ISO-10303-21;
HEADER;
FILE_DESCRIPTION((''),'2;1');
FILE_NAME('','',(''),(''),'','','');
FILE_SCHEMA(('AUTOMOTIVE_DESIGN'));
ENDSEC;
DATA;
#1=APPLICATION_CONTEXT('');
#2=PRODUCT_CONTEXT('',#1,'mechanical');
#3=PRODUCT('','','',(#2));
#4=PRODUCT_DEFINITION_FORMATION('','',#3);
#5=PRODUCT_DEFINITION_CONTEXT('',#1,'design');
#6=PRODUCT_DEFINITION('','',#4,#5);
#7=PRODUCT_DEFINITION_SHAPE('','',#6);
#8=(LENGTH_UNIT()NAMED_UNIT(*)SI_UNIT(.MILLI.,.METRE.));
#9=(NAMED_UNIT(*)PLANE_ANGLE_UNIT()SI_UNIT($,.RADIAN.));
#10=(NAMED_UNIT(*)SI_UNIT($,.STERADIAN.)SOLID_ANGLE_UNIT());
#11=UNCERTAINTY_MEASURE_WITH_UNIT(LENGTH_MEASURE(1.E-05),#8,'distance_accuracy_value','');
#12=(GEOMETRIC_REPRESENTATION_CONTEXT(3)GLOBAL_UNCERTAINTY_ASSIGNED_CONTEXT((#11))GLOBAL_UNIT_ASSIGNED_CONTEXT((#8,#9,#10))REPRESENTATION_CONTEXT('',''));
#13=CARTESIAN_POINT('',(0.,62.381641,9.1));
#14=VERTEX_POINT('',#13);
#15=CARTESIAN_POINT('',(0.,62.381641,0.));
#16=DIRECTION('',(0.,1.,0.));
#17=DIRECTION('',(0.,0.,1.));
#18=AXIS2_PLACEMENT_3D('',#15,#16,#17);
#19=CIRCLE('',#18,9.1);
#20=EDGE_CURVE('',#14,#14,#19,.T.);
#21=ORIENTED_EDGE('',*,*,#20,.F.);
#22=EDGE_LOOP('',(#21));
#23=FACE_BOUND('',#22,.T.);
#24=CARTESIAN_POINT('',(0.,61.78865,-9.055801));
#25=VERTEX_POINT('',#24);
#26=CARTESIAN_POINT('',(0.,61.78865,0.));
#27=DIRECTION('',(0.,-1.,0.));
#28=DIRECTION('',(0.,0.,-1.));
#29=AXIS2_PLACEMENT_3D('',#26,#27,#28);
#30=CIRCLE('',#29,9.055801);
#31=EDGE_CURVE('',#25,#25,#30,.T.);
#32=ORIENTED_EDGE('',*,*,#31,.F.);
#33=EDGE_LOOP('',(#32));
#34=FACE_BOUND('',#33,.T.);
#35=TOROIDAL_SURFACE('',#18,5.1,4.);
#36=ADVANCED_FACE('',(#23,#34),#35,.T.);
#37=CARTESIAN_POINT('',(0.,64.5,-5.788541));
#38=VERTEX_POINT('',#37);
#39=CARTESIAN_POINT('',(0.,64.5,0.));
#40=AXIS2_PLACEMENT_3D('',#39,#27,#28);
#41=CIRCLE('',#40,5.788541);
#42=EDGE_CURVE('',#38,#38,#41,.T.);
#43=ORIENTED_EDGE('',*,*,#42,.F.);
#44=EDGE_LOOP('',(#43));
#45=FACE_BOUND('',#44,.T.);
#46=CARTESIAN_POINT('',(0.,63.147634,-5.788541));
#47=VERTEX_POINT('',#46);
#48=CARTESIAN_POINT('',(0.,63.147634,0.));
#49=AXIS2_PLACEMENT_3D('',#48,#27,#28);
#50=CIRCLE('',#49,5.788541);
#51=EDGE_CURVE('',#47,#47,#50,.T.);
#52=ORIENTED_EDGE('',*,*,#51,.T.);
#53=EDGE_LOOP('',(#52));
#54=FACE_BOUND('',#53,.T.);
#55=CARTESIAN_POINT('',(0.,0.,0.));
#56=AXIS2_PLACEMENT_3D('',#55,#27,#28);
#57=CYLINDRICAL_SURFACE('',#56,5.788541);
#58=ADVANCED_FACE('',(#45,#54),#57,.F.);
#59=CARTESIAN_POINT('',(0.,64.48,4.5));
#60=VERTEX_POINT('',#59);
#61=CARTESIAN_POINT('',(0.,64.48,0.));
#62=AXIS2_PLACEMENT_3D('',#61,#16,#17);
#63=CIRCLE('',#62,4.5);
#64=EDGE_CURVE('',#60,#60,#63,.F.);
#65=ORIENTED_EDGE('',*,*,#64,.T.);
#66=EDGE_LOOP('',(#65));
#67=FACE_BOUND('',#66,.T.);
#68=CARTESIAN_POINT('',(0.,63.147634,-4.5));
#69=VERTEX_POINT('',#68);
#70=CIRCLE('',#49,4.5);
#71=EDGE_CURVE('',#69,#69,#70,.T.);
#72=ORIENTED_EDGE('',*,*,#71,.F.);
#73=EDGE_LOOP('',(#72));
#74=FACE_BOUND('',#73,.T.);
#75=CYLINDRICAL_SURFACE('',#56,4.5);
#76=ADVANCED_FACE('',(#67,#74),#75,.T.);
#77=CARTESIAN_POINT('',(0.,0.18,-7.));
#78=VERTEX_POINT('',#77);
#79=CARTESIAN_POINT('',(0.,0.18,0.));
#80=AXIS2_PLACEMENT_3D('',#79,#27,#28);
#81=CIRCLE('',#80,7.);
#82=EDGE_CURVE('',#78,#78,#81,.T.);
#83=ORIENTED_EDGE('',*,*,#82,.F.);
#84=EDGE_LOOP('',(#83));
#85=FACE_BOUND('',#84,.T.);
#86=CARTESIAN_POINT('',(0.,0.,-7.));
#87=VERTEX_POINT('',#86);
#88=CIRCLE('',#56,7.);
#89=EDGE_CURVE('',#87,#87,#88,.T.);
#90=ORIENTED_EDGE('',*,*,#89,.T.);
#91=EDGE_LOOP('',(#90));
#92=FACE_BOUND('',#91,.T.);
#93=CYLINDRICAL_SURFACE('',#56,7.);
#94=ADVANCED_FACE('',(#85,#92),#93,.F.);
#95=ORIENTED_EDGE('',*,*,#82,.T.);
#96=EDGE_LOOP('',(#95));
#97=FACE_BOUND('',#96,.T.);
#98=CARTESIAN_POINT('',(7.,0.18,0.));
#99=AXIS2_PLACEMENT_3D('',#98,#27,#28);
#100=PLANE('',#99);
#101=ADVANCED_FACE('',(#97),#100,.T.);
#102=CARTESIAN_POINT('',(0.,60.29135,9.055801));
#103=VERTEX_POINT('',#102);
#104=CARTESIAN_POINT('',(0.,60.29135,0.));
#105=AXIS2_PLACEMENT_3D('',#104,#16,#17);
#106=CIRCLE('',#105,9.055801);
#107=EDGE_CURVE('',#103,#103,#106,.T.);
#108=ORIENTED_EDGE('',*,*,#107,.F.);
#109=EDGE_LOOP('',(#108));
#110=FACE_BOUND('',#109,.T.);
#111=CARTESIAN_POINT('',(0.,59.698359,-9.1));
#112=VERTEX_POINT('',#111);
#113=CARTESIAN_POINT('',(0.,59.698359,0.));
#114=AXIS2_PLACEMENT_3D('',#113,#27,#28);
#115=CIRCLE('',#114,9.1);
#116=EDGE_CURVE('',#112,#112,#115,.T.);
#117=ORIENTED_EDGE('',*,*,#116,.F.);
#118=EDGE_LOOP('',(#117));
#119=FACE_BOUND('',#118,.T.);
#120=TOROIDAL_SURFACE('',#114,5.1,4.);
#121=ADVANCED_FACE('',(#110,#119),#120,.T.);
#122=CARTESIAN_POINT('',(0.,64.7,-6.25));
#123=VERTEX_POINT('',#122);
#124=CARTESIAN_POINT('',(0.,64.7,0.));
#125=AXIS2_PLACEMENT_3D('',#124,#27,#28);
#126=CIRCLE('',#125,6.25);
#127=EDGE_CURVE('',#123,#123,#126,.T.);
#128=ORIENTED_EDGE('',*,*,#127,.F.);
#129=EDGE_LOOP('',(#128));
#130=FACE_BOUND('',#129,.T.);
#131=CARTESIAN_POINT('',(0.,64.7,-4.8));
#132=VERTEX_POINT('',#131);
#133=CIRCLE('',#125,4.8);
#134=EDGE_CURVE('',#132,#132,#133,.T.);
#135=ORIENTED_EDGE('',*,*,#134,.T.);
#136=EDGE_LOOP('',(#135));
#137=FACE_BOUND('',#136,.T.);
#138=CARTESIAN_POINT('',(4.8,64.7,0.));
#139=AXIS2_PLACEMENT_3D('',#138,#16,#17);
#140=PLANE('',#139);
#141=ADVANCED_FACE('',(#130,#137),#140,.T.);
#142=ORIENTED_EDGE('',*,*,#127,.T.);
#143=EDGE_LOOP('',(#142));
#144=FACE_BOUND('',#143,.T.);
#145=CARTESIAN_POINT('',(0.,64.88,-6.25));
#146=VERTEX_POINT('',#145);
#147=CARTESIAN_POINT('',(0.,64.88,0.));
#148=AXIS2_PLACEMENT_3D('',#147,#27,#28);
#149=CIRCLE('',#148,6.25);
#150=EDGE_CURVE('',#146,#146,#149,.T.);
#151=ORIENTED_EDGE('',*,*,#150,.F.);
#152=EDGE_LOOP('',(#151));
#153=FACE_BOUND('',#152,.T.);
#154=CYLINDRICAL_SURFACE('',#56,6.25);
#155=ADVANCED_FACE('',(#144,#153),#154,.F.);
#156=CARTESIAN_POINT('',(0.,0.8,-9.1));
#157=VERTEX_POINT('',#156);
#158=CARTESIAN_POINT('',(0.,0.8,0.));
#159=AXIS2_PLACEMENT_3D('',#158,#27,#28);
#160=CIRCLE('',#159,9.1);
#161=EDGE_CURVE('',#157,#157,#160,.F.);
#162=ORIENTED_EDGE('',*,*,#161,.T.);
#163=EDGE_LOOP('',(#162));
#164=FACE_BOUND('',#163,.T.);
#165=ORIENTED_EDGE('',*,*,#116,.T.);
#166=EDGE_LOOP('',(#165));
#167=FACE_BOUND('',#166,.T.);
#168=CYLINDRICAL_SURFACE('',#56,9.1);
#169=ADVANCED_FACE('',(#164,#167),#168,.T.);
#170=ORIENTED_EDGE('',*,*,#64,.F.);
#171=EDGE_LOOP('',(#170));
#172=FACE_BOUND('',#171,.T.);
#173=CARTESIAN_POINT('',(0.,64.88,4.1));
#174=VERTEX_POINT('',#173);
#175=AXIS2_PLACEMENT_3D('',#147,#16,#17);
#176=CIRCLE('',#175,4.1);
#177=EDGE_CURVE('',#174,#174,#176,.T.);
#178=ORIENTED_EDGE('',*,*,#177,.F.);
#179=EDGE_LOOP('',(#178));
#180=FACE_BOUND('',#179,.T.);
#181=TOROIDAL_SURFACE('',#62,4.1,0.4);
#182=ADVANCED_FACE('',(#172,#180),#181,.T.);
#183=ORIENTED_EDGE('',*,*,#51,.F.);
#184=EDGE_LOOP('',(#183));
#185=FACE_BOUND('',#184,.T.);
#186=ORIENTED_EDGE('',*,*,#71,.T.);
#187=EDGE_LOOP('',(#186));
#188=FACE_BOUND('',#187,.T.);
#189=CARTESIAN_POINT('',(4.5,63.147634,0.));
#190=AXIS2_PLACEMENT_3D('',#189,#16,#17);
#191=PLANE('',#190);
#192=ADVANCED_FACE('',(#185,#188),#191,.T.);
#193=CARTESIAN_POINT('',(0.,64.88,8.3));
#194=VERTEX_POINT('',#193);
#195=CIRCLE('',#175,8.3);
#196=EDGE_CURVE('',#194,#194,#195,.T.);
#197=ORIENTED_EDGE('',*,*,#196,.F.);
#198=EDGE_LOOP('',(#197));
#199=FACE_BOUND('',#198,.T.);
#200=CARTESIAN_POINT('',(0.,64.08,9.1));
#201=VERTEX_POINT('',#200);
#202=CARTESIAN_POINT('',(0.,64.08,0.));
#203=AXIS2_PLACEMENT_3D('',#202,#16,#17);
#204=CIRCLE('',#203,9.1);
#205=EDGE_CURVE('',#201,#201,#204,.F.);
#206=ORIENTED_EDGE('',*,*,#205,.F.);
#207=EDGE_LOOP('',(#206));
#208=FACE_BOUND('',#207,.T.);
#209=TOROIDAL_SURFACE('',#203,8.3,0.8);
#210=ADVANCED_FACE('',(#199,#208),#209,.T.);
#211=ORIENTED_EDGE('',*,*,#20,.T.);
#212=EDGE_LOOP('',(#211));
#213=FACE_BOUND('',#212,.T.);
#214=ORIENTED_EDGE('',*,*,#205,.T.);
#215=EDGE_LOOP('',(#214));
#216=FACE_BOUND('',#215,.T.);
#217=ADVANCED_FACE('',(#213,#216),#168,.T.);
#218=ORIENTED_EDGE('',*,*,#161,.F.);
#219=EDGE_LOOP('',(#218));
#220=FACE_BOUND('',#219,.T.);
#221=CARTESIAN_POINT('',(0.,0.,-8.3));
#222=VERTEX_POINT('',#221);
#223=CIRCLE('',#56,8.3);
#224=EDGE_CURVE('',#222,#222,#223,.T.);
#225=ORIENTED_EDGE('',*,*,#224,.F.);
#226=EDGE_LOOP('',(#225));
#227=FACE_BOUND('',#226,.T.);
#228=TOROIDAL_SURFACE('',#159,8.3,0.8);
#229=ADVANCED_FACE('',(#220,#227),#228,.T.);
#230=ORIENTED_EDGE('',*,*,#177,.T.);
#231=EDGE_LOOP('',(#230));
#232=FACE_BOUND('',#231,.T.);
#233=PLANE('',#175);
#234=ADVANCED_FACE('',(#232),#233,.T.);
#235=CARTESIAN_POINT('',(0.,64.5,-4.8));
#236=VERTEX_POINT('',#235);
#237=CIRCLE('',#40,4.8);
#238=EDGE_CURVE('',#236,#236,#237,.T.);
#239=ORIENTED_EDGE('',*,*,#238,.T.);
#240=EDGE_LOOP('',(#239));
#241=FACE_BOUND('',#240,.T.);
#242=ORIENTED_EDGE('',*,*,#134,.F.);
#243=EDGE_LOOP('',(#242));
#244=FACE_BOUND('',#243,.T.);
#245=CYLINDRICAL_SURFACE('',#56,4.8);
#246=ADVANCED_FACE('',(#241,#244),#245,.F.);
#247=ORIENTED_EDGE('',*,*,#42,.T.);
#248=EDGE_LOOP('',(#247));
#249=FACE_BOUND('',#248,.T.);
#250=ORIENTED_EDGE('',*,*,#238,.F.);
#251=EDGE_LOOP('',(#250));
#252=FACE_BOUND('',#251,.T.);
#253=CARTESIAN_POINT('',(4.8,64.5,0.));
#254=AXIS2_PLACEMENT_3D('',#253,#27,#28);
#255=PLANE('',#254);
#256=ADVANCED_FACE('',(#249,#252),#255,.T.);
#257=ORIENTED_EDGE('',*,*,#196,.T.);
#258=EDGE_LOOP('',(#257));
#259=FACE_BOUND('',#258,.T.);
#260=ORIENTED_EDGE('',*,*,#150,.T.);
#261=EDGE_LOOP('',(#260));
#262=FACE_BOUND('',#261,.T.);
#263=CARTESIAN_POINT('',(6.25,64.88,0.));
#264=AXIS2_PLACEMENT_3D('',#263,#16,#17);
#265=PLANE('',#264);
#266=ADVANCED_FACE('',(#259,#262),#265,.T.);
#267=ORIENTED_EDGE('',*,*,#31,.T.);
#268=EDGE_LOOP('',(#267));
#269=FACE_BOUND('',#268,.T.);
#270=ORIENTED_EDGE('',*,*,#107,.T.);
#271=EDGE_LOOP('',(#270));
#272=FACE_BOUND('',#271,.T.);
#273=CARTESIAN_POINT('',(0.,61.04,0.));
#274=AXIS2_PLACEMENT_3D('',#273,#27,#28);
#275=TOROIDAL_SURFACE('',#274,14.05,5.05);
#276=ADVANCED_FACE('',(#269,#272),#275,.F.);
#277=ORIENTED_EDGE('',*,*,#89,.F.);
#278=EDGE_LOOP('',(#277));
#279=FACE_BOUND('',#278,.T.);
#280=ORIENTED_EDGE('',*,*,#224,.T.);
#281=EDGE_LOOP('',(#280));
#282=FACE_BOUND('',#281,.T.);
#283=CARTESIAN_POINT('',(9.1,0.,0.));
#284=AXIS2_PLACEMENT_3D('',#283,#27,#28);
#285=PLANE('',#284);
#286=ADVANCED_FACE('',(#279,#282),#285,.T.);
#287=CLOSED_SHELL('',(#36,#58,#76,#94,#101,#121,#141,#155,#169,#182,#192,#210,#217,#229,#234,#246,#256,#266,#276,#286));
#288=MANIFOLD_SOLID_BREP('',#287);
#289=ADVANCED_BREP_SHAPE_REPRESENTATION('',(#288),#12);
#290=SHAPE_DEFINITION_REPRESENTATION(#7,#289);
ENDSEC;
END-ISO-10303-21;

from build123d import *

# Parameters (mm, degrees)
CONG_1_R    = 0.4
CONG_2_R    = 0.8
ESQUISSE2_R = 5.05
CONG_3_R    = 4


with BuildPart() as part:
    # Esquisse1 → Révolution1 (revolve)
    with BuildSketch(Plane.XY):
        Polygon((0, 64.88), (4.5, 64.88), (4.5, 63.147633926), (5.788540515, 63.147633926), (5.788540515, 64.5), (4.8, 64.5), (4.8, 64.7), (6.25, 64.7), (6.25, 64.88), (9.1, 64.88), (9.1, 0), (7, 0), (7, 0.18), (0, 0.18), align=None)
    revolve(axis=Axis((0, 0, 0), (0, 1, 0)))

    # Congé1
    cong_1_edges = [part.edges().sort_by_distance(p)[0] for p in [
        (-4.5, 64.88, 0),
    ]]
    fillet(cong_1_edges, radius=CONG_1_R)

    # Congé2
    cong_2_edges = [part.edges().sort_by_distance(p)[0] for p in [
        (-9.1, 0, 0),
        (-9.1, 64.88, 0),
    ]]
    fillet(cong_2_edges, radius=CONG_2_R)

    # Esquisse2 → Enlèvement de matière-Révolution1 (revolve, cut)
    with BuildSketch(Plane(origin=(0, 0, 0), x_dir=(0, 0, -1), z_dir=(1, 0, 0))):
        with Locations((14.05, 61.04)):
            Circle(ESQUISSE2_R)
    revolve(axis=Axis((0, 52.453065443, 0), (0, 1, 0)), mode=Mode.SUBTRACT)

    # Congé3
    cong_3_edges = [part.edges().sort_by_distance(p)[0] for p in [
        (6.434671709, 62.04, -6.434671709),
        (-6.434671709, 60.04, 6.434671709),
    ]]
    fillet(cong_3_edges, radius=CONG_3_R)


solid = part.part
